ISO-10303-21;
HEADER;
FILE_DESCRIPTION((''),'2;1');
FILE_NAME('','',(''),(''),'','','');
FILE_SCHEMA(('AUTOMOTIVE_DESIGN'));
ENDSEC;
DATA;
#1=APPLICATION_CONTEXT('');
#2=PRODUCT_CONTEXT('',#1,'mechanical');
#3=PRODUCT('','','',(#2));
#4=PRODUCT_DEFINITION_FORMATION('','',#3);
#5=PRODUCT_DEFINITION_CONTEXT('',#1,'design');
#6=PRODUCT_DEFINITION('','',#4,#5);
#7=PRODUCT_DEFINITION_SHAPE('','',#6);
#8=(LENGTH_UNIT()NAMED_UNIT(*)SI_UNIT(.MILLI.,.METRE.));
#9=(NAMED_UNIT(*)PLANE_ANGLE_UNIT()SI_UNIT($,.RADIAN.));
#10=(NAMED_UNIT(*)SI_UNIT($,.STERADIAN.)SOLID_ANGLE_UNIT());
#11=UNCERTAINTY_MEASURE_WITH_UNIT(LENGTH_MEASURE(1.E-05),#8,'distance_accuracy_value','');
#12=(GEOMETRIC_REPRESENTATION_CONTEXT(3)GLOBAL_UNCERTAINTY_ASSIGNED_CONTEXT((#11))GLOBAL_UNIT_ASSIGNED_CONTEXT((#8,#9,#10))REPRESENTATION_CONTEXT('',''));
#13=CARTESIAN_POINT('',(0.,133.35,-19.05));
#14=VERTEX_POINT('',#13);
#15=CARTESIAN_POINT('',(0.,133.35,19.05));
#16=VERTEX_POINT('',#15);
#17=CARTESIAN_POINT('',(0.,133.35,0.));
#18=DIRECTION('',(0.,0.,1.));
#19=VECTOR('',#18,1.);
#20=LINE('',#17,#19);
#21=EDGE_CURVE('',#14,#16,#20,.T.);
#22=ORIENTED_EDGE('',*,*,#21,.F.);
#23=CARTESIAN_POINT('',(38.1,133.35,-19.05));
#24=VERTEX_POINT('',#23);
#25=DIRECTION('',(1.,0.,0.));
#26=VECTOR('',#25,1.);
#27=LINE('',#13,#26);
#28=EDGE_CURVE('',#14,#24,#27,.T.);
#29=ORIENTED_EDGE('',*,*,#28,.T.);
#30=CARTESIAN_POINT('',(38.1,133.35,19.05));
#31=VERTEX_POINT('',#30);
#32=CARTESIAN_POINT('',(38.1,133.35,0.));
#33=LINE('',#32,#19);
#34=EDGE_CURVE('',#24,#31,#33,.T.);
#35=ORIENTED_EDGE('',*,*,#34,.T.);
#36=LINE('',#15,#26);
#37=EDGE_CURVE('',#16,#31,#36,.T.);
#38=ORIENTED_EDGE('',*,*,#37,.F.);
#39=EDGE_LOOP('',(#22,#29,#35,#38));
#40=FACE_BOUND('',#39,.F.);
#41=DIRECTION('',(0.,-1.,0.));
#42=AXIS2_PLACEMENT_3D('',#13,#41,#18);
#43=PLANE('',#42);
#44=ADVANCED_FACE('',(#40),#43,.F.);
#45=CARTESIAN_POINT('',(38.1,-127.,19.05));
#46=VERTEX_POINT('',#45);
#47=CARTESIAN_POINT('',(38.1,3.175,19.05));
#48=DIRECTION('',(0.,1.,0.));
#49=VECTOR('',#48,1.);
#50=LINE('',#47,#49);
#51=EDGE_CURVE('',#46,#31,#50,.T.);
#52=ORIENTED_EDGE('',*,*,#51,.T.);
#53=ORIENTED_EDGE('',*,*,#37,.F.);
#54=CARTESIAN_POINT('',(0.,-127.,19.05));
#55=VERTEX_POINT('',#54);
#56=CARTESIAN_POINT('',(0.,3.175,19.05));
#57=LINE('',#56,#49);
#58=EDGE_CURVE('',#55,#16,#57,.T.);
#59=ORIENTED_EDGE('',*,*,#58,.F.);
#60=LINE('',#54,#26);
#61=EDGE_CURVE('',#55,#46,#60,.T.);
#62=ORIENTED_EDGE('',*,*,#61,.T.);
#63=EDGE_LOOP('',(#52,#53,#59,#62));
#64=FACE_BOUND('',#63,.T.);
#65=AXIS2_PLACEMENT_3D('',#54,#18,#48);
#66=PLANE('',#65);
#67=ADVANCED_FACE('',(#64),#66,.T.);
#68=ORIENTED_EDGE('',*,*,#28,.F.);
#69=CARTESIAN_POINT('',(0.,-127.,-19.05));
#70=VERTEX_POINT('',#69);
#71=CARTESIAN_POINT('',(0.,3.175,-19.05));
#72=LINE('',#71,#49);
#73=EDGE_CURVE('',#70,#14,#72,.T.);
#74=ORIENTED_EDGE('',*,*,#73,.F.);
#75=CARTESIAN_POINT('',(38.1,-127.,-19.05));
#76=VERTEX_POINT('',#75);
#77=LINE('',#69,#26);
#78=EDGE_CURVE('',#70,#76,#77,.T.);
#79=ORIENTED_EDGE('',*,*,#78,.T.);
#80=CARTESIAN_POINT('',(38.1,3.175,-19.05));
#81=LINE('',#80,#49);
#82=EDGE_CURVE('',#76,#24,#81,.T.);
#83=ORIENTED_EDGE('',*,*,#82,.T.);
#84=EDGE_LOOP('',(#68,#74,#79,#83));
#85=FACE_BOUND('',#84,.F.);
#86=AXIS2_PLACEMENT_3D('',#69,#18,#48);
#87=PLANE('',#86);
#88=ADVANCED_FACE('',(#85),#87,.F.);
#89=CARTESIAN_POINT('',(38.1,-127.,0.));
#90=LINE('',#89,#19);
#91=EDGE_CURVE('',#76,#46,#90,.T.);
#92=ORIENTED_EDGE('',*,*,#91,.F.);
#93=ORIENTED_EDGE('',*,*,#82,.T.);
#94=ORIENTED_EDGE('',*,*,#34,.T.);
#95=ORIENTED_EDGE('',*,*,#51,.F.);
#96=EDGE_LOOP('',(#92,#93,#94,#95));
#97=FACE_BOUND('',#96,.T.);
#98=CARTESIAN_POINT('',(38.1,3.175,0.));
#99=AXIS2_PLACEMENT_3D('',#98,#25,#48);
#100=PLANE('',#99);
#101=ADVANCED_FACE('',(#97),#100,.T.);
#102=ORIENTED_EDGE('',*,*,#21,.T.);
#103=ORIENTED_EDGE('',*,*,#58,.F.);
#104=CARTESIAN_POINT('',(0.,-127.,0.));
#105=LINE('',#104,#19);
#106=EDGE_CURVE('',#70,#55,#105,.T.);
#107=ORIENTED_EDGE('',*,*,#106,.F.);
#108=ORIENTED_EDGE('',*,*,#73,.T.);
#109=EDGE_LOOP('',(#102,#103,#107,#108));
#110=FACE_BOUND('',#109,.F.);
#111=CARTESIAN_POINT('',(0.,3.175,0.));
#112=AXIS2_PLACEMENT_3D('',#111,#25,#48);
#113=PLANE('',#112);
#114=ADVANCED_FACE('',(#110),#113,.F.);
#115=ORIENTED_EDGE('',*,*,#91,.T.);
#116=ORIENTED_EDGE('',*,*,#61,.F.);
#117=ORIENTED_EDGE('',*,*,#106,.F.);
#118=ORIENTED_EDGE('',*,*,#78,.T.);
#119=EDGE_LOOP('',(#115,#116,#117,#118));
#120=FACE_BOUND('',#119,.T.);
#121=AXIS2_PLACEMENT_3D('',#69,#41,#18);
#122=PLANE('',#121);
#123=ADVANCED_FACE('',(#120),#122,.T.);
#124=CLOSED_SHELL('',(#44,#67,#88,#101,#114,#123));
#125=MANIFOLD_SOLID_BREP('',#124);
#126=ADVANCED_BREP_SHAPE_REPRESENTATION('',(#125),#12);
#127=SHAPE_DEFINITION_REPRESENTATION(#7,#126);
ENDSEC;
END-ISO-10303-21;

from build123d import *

# Parameters (mm, degrees)
SKETCH_W  = 260.35
SKETCH_H  = 38.1
PAD_DEPTH = 38.1


with BuildPart() as part:
    # Sketch → Pad (new body)
    with BuildSketch(Plane.YZ):
        with Locations((3.175, 0)):
            Rectangle(SKETCH_W, SKETCH_H)
    extrude(amount=PAD_DEPTH)


solid = part.part
